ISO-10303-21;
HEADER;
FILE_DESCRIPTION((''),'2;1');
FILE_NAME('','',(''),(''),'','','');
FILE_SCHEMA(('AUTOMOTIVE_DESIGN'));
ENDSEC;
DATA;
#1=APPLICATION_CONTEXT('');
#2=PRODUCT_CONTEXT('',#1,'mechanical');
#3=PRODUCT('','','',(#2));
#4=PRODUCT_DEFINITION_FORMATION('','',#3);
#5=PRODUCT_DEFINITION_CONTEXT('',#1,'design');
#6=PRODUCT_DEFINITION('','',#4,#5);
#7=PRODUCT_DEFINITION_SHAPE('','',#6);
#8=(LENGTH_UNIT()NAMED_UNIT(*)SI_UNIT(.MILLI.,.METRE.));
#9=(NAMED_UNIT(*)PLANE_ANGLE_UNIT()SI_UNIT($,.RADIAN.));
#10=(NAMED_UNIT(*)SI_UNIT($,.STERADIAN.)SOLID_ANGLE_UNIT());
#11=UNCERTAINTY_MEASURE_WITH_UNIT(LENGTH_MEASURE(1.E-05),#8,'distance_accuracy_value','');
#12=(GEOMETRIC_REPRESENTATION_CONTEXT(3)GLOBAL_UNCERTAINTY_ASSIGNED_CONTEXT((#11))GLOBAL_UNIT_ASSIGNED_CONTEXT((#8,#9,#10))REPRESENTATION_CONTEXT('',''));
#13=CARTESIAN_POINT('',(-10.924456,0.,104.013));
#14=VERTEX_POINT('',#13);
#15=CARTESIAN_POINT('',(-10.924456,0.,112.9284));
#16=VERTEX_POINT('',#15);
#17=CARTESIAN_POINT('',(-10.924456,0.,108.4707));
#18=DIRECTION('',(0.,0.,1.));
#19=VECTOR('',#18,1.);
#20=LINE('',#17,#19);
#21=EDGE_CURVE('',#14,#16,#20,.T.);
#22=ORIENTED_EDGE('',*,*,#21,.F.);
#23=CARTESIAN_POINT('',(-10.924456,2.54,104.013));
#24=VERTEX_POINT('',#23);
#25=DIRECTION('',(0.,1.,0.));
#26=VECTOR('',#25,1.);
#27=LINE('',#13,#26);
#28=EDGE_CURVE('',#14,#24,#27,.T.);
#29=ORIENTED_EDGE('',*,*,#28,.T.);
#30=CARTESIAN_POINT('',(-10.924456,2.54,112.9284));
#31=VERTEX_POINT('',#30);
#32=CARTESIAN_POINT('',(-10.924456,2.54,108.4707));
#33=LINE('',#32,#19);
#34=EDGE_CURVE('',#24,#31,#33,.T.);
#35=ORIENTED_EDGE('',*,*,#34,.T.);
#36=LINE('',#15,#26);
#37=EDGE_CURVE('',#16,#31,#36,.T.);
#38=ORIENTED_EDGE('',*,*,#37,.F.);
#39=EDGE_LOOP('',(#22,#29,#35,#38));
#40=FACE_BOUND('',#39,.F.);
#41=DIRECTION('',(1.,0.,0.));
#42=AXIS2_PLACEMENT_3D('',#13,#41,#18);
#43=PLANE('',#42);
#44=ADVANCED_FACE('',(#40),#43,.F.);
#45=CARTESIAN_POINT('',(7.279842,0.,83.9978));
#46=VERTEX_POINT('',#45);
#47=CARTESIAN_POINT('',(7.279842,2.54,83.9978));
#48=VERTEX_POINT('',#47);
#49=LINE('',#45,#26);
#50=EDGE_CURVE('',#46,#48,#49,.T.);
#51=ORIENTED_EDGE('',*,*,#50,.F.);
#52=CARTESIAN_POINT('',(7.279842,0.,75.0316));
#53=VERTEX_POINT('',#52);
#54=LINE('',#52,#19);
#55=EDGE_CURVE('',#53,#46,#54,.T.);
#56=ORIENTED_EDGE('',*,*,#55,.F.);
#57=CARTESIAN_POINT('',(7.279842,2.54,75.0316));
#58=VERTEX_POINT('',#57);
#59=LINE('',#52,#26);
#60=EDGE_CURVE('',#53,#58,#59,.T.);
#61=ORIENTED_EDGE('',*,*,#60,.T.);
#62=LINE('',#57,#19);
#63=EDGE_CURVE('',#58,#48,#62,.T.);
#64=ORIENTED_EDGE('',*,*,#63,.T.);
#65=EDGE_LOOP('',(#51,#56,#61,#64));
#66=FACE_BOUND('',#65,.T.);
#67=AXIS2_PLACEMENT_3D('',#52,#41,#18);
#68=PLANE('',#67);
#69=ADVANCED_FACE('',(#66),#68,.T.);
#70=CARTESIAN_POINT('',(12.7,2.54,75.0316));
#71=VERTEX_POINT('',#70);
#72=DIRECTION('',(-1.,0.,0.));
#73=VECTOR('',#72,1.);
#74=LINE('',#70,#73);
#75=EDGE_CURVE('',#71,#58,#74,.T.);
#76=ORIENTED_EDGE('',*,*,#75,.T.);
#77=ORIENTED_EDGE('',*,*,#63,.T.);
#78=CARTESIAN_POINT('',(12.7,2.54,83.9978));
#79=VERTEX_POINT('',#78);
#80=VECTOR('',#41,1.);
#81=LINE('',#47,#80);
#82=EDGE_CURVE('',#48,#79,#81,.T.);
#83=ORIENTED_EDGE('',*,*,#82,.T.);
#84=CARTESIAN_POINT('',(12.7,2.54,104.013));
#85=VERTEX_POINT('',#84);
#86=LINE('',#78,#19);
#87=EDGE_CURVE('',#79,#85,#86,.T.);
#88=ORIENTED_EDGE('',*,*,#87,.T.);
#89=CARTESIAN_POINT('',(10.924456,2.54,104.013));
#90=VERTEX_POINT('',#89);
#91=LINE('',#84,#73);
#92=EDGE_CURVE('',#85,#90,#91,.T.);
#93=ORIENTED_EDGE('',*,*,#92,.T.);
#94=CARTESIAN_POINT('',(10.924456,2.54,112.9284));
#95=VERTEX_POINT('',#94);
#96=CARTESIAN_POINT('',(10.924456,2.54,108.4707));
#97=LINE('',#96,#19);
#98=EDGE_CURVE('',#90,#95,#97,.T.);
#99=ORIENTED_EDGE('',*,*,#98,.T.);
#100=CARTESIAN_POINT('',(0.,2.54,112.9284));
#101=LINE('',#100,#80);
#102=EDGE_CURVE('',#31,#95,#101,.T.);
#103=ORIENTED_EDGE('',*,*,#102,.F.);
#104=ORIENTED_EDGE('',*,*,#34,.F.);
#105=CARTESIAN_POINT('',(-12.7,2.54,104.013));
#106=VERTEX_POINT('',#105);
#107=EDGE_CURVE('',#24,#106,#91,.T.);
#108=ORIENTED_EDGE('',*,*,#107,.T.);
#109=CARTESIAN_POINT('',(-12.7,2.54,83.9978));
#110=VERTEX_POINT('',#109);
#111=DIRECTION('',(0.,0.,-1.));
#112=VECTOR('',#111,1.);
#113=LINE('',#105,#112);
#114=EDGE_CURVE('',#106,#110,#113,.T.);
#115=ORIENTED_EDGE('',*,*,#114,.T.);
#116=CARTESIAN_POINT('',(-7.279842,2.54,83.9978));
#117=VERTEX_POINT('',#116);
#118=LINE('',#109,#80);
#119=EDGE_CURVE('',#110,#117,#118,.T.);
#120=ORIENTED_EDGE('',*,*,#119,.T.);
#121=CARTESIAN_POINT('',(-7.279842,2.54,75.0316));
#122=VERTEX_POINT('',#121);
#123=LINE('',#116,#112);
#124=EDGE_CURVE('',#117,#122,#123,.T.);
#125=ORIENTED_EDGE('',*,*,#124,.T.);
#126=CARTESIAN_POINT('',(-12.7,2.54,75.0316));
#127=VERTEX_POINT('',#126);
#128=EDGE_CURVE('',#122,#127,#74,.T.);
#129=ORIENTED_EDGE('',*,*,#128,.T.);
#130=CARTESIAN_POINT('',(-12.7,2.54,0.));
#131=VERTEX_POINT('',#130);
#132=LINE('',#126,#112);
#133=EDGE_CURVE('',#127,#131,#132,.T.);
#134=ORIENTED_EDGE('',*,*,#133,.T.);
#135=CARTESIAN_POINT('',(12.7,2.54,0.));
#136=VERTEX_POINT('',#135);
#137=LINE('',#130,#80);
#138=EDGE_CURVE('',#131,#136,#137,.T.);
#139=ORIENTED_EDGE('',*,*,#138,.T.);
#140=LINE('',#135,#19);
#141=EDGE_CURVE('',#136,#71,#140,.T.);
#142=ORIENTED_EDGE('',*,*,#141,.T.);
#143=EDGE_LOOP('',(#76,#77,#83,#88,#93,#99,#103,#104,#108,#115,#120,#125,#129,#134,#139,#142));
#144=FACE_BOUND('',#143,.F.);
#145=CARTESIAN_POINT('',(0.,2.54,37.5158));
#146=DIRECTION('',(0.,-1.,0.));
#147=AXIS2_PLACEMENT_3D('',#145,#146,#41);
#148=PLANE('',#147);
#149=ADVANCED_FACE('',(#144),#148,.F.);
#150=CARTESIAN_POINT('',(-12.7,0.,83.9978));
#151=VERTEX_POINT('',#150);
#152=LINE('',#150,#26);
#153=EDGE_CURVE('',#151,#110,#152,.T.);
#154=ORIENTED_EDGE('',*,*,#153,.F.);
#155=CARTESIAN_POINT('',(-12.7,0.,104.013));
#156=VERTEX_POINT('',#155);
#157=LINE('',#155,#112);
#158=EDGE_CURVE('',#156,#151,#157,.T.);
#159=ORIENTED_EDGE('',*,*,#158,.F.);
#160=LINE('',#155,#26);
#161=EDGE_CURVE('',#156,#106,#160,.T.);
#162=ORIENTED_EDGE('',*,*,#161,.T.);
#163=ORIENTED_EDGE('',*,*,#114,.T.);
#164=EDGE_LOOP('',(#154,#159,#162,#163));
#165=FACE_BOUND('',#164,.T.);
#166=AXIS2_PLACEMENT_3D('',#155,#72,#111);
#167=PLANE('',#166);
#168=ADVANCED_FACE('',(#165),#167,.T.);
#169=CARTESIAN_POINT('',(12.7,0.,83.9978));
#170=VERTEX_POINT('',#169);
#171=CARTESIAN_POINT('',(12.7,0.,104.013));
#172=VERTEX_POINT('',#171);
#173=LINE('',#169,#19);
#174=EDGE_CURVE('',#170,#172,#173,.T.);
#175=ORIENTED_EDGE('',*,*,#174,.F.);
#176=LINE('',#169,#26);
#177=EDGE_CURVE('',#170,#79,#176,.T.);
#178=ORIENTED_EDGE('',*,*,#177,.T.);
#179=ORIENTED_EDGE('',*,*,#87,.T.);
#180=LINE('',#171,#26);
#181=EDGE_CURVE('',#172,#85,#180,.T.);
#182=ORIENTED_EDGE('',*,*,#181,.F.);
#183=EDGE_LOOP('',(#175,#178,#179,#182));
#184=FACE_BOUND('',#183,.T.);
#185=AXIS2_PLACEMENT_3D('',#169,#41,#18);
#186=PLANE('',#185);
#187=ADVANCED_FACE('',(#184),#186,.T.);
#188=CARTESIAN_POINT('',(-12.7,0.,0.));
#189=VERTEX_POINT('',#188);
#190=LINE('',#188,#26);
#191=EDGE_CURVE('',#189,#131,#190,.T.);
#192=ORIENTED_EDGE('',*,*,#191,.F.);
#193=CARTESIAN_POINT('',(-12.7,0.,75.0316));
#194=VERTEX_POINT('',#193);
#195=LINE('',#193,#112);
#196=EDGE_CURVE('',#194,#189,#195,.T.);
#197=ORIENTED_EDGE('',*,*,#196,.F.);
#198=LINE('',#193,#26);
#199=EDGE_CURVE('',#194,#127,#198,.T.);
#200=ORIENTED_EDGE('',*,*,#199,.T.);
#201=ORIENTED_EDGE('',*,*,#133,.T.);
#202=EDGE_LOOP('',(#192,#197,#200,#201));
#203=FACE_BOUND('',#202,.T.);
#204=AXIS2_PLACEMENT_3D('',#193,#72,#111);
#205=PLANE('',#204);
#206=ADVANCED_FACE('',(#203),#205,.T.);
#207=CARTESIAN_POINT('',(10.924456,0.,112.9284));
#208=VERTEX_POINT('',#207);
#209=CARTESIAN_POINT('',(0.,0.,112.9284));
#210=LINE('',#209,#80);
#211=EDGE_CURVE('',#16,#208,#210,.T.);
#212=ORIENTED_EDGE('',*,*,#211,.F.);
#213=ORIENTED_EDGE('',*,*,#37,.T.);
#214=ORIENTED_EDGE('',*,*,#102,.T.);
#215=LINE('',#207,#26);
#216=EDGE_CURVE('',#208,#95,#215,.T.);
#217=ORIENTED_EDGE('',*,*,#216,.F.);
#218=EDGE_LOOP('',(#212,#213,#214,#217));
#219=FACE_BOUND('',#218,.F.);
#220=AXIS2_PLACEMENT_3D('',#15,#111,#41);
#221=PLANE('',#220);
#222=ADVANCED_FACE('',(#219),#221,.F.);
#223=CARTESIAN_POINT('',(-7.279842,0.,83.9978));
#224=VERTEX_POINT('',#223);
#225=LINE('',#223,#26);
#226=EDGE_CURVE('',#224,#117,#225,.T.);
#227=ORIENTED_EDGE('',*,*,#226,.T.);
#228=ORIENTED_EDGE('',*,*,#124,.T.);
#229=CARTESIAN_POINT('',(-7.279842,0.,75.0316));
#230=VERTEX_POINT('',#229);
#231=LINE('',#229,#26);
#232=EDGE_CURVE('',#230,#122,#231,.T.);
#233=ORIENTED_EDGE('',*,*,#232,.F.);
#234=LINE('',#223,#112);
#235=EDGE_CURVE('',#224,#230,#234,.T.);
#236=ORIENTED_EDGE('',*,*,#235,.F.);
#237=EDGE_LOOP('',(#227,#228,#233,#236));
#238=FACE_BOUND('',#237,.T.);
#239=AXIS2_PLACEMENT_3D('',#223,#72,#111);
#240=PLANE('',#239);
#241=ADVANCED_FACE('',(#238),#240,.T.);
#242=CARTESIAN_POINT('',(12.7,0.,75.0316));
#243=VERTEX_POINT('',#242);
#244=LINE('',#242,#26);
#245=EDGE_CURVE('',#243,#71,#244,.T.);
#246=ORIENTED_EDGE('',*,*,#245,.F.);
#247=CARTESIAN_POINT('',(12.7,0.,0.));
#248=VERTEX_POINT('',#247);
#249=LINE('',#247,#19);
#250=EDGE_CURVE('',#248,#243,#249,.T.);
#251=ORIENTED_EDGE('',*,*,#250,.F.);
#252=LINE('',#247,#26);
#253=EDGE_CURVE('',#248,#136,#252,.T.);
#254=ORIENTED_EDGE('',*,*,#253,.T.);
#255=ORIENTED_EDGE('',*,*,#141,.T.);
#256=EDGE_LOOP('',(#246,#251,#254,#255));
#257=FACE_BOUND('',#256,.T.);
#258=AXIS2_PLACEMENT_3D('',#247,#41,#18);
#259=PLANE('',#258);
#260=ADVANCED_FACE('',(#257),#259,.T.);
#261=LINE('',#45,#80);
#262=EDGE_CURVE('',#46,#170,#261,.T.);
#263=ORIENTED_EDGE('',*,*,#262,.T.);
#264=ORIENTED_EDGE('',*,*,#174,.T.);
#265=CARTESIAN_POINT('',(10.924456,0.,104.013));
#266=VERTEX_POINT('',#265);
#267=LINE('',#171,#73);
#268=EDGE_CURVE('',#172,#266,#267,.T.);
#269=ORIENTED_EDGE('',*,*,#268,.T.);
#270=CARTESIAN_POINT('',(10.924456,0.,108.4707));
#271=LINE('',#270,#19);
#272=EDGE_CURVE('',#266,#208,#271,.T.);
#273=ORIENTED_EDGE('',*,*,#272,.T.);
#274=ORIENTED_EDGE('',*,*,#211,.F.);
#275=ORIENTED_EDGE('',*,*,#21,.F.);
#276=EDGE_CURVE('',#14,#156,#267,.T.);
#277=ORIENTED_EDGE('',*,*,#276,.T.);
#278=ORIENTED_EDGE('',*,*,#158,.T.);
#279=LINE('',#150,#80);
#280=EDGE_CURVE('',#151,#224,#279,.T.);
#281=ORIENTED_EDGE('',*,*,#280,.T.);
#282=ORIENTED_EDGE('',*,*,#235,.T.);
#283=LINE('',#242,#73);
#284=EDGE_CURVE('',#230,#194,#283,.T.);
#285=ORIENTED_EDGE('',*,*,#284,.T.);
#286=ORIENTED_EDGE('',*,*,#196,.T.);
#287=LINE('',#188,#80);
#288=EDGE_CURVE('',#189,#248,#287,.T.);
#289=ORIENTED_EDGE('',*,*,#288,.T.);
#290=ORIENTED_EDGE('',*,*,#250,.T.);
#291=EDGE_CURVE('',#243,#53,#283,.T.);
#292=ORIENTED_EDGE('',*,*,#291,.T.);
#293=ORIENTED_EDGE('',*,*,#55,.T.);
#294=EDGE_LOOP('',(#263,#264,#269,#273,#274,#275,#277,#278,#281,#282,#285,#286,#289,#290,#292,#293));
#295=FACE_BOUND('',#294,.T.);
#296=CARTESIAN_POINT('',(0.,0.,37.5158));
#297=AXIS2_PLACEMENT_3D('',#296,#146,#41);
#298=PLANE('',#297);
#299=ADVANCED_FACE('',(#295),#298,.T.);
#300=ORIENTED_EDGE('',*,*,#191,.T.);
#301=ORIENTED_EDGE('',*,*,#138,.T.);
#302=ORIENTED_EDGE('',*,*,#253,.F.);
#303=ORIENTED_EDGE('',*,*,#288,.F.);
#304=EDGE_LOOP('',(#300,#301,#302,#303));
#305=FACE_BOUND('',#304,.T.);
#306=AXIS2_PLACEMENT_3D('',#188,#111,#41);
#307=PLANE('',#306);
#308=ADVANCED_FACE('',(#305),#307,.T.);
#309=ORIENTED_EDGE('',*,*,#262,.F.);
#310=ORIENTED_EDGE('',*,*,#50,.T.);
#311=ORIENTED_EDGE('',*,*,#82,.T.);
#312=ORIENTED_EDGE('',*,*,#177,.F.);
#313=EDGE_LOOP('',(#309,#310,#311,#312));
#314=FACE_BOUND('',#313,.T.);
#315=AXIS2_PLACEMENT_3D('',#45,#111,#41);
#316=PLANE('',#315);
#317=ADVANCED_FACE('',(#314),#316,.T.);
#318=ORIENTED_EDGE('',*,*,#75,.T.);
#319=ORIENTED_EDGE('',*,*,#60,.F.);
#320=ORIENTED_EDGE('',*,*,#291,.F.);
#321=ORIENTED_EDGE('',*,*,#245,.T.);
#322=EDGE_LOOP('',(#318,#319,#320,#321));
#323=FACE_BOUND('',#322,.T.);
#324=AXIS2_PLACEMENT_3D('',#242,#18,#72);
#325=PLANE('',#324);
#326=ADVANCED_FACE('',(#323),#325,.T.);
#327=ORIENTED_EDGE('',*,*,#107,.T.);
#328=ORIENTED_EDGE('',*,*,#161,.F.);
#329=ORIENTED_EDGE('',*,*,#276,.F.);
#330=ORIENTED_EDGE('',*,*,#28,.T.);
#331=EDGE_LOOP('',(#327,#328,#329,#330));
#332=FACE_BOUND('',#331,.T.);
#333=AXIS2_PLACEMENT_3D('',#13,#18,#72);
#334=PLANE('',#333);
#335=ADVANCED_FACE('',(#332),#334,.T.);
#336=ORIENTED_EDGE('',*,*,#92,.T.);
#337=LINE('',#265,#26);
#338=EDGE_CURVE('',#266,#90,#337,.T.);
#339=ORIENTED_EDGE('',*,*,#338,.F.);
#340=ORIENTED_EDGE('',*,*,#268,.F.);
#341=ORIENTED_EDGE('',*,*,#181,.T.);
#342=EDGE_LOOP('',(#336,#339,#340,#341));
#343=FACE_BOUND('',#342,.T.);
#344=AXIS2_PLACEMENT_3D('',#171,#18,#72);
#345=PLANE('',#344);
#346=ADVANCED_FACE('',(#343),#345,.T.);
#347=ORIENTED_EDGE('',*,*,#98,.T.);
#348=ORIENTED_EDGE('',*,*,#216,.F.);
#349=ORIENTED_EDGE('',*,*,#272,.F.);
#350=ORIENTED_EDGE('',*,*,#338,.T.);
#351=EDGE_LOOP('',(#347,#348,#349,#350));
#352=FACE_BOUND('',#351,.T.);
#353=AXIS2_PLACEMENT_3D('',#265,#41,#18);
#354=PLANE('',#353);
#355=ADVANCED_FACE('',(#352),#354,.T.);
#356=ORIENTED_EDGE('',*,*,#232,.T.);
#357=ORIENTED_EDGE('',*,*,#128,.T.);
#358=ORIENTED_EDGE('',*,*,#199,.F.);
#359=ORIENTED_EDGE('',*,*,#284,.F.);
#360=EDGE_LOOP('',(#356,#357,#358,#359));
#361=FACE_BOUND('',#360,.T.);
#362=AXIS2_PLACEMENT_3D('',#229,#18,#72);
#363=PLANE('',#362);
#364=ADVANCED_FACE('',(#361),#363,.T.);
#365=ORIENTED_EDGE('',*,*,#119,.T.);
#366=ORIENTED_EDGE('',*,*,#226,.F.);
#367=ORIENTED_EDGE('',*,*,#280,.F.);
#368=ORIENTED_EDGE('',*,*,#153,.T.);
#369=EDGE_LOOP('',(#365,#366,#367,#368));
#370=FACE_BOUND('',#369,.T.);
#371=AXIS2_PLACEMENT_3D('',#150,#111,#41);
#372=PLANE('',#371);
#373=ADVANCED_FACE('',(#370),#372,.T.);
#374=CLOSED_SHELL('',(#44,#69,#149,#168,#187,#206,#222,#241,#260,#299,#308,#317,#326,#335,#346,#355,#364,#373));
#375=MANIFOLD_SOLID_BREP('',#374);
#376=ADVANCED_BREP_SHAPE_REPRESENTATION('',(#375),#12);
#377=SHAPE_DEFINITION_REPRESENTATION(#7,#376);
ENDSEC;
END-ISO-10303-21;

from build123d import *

# Parameters (mm, degrees)
F0_W     = 21.848912
F0_H     = 8.9154
F1_DEPTH = 2.54


with BuildPart() as f1:
    # F0 (on Front) → F1 (new body)
    with BuildSketch(Plane.XZ):
        Polygon((-12.7, 0), (0, 0), (12.7, 0), (12.7, 75.0316), (7.279842, 75.0316), (-7.279842, 75.0316), (-12.7, 75.0316), align=None)
        Polygon((-7.279842, 83.9978), (-7.279842, 75.0316), (7.279842, 75.0316), (7.279842, 83.9978), (0, 83.9978), align=None)
        Polygon((-12.7, 83.9978), (-7.279842, 83.9978), (0, 83.9978), (7.279842, 83.9978), (12.7, 83.9978), (12.7, 104.013), (10.924456, 104.013), (-10.924456, 104.013), (-12.7, 104.013), align=None)
        with Locations((0, 108.4707)):
            Rectangle(F0_W, F0_H)
    extrude(amount=-F1_DEPTH)


solid = f1.part
